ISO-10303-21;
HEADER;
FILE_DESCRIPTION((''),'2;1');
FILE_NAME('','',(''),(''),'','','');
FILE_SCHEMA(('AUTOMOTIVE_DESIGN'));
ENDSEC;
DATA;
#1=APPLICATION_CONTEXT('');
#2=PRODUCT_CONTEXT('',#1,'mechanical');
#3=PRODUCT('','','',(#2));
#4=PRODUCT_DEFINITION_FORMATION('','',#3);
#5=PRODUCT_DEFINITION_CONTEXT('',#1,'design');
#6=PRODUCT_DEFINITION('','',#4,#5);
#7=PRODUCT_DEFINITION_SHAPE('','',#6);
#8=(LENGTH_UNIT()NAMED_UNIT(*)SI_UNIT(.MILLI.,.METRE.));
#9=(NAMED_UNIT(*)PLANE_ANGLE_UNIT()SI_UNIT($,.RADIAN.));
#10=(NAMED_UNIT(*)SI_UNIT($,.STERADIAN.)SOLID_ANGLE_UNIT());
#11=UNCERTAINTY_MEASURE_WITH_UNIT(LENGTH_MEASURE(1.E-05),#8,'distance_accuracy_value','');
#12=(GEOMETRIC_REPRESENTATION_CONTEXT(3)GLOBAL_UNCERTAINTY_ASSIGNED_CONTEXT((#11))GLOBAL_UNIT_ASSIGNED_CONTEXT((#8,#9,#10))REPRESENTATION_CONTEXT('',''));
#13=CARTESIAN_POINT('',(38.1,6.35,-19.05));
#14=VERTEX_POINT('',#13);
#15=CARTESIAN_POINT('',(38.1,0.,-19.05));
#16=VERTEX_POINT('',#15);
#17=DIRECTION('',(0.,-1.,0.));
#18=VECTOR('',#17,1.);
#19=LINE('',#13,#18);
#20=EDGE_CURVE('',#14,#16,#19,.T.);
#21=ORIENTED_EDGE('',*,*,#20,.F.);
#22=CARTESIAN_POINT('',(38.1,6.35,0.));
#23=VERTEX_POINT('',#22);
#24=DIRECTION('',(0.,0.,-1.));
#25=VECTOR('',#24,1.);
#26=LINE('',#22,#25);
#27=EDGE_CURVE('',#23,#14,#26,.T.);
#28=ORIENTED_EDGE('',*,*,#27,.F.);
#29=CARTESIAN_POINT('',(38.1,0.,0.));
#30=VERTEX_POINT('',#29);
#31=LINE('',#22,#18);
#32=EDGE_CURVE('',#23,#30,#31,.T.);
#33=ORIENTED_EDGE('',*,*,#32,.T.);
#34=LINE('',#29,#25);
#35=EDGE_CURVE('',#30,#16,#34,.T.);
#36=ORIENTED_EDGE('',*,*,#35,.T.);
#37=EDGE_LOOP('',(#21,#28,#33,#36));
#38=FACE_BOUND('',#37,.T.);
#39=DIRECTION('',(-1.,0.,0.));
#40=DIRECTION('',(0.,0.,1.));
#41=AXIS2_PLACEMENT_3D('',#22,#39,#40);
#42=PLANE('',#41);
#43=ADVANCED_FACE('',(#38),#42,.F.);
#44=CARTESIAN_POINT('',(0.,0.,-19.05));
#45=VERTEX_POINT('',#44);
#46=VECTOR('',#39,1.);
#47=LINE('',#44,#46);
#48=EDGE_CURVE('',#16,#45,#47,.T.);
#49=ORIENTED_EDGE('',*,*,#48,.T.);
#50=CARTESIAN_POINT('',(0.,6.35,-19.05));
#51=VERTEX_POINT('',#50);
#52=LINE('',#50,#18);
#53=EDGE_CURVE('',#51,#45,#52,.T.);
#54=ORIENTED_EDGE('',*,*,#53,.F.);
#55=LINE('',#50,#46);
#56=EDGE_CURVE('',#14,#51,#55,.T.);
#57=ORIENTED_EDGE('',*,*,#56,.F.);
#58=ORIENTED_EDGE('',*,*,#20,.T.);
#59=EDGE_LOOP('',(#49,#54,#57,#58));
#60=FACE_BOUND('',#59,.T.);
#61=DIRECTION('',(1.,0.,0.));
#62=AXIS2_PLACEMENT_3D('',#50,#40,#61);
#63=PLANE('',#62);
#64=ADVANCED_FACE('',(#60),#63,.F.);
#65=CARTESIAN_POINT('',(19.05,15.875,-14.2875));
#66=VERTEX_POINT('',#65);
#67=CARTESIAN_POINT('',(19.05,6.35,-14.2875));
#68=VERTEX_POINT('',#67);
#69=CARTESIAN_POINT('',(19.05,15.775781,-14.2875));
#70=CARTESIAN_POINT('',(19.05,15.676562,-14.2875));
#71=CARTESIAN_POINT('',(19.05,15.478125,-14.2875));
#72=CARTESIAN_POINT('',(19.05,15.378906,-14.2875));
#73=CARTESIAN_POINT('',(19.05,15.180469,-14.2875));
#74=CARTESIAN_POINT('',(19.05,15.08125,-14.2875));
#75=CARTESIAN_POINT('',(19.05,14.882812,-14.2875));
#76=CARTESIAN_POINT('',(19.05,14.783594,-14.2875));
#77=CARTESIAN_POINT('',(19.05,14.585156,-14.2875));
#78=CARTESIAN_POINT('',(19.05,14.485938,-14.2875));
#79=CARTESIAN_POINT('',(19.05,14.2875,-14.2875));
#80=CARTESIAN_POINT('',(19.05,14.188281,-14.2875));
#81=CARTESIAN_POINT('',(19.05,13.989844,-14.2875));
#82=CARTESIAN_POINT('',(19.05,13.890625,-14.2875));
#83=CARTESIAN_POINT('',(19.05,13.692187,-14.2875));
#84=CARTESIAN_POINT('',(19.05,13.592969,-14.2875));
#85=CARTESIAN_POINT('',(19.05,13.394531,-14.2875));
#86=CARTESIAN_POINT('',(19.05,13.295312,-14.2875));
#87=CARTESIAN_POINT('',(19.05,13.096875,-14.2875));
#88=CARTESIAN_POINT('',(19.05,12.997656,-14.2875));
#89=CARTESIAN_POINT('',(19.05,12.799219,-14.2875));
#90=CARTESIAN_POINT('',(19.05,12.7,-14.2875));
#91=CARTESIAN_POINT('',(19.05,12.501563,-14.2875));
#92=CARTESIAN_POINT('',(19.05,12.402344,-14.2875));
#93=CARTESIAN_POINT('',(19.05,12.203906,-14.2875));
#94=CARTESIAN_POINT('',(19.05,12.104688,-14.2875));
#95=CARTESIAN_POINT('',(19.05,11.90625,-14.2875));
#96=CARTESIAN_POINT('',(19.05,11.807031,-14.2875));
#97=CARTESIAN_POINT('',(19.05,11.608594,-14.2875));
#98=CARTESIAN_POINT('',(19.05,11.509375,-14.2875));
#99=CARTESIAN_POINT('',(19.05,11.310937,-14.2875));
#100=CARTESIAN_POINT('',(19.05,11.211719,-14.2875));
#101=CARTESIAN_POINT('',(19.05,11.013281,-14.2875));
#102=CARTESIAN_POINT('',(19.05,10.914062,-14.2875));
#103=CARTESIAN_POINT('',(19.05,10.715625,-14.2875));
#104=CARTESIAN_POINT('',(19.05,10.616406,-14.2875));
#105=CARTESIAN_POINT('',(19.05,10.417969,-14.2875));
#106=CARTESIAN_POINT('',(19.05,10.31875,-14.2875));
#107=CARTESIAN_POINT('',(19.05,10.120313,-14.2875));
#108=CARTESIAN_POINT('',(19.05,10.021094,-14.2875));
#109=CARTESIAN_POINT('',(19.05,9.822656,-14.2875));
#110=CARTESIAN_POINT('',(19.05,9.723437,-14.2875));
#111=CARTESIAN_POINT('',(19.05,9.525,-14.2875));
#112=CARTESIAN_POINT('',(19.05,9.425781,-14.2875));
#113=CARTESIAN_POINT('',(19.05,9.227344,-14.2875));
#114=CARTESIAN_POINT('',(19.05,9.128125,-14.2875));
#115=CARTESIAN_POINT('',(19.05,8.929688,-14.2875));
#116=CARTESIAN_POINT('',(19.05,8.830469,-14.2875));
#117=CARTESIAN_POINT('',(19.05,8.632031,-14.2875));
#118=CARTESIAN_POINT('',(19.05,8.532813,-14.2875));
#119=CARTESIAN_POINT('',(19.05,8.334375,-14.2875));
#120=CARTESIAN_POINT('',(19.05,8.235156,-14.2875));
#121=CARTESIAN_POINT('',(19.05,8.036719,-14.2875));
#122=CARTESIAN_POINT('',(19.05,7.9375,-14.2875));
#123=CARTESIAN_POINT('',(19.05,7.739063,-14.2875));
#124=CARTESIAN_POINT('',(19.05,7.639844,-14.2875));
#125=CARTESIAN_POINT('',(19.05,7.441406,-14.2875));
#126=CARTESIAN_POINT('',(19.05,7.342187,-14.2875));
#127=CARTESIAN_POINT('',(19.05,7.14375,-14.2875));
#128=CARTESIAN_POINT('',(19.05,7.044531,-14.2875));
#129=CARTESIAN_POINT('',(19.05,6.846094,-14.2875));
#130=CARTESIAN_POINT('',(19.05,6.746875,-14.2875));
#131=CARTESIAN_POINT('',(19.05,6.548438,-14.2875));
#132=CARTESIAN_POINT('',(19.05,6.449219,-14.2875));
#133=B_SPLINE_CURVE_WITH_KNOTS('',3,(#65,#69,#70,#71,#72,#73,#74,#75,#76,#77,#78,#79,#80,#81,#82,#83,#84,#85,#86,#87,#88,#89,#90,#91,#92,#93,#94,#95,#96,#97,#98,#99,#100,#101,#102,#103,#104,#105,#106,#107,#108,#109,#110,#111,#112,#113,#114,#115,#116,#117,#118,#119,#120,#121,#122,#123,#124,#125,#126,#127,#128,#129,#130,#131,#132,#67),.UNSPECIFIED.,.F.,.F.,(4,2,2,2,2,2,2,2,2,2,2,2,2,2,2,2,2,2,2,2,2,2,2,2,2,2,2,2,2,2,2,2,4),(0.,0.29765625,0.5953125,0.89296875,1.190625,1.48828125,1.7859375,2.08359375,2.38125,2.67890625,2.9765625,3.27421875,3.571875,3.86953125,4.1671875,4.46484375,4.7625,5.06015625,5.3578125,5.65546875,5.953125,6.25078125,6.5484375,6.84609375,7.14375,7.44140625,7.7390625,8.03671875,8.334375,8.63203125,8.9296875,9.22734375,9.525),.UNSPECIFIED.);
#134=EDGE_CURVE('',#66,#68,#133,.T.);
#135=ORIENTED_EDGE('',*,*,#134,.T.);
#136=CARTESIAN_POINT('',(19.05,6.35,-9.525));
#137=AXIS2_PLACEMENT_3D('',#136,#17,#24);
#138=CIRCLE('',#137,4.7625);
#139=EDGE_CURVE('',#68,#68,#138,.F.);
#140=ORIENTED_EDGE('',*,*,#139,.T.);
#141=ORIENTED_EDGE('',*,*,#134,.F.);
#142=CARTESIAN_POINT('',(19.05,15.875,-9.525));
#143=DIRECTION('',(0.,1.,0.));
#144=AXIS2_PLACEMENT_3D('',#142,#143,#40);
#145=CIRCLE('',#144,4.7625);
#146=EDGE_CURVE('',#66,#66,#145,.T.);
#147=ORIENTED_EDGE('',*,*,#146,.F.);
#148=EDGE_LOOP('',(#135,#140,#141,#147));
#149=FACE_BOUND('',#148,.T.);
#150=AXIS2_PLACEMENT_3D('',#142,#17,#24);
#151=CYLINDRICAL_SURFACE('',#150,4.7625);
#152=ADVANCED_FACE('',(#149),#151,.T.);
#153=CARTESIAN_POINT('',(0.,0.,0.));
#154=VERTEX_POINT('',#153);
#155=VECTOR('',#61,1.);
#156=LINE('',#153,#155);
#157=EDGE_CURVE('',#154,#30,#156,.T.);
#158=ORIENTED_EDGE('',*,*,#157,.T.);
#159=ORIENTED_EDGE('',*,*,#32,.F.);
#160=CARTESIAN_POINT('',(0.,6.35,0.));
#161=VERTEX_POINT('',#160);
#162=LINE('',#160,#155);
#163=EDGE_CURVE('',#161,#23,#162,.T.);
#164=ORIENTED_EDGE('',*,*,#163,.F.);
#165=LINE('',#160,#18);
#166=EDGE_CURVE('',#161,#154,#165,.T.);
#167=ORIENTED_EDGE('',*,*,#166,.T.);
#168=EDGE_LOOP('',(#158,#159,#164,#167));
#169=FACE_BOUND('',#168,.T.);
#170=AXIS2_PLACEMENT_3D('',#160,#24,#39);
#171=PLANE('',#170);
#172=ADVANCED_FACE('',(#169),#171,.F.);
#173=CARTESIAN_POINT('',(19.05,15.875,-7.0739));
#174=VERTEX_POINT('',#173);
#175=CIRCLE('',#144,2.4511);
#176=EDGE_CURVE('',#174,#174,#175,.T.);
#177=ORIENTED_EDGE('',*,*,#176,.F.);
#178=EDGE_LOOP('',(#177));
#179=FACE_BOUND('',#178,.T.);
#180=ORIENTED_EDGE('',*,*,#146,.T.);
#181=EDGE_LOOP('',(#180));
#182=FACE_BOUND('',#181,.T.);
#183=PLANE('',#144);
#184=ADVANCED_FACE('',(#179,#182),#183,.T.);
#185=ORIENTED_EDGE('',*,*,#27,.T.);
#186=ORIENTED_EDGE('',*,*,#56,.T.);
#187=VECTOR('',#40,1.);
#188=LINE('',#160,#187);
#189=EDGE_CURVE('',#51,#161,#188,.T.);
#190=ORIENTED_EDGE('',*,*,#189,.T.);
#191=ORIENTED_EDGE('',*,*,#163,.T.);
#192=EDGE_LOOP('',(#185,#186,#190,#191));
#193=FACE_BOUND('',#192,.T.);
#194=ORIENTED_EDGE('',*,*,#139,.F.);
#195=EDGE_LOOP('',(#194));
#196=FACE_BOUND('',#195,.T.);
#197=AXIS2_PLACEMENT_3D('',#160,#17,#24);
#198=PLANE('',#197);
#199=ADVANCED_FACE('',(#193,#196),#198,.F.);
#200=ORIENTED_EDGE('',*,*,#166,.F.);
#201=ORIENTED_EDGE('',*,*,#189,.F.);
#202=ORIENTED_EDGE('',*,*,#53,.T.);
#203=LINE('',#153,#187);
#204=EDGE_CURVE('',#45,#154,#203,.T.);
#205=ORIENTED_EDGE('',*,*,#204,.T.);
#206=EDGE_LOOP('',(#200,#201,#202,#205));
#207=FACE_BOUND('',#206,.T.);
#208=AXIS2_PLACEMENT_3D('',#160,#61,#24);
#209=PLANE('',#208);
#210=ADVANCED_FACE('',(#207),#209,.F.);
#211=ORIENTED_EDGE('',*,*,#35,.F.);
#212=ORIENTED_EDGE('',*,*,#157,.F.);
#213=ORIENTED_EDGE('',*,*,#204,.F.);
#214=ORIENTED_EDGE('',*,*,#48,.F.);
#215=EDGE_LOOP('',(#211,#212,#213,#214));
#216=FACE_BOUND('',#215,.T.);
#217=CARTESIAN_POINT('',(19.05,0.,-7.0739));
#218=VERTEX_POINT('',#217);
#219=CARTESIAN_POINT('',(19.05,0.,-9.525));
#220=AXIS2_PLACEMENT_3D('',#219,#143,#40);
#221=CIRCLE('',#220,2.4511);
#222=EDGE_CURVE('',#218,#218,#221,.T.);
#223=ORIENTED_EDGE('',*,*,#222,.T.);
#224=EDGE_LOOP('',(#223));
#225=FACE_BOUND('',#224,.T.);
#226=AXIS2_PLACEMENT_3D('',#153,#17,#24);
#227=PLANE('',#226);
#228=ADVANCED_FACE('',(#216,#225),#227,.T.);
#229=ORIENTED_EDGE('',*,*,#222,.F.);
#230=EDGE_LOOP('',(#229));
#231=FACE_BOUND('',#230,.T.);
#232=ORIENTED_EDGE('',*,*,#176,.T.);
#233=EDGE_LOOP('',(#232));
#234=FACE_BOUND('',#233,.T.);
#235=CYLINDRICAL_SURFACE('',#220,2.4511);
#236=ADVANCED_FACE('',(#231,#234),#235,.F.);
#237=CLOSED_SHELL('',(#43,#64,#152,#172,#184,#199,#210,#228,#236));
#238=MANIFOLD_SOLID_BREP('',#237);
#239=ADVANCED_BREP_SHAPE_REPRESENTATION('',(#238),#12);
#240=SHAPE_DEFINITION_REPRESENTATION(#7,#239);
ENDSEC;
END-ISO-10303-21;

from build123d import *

# Parameters (mm, degrees)
SKETCH1_W           = 38.1
SKETCH1_H           = 19.05
BOSS_EXTRUDE1_DEPTH = 6.35
SKETCH2_R           = 4.7625
BOSS_EXTRUDE2_DEPTH = 9.525
SKETCH3_R           = 2.4511
CUT_EXTRUDE1_DEPTH  = 46.459081876


with BuildPart() as part:
    # Sketch1 → Boss-Extrude1 (new body)
    with BuildSketch(Plane(origin=(0, 0, 0), x_dir=(1, 0, 0), z_dir=(0, 1, 0))):
        with Locations((19.05, 9.525)):
            Rectangle(SKETCH1_W, SKETCH1_H)
    extrude(amount=BOSS_EXTRUDE1_DEPTH)

    # Sketch2 → Boss-Extrude2 (add)
    with BuildSketch(Plane(origin=(0, 6.35, 0), x_dir=(1, 0, 0), z_dir=(0, 1, 0))):
        with Locations(Location((19.05, 9.525, 0), (0, 0, 90))):
            Circle(SKETCH2_R)
    extrude(amount=BOSS_EXTRUDE2_DEPTH)

    # Sketch3 → Cut-Extrude1 (cut, through all)
    with BuildSketch(Plane(origin=(0, 15.875, 0), x_dir=(1, 0, 0), z_dir=(0, 1, 0))):
        with Locations(Location((19.05, 9.525, 0), (0, 0, 270))):
            Circle(SKETCH3_R)
    extrude(amount=-CUT_EXTRUDE1_DEPTH, mode=Mode.SUBTRACT)


solid = part.part
